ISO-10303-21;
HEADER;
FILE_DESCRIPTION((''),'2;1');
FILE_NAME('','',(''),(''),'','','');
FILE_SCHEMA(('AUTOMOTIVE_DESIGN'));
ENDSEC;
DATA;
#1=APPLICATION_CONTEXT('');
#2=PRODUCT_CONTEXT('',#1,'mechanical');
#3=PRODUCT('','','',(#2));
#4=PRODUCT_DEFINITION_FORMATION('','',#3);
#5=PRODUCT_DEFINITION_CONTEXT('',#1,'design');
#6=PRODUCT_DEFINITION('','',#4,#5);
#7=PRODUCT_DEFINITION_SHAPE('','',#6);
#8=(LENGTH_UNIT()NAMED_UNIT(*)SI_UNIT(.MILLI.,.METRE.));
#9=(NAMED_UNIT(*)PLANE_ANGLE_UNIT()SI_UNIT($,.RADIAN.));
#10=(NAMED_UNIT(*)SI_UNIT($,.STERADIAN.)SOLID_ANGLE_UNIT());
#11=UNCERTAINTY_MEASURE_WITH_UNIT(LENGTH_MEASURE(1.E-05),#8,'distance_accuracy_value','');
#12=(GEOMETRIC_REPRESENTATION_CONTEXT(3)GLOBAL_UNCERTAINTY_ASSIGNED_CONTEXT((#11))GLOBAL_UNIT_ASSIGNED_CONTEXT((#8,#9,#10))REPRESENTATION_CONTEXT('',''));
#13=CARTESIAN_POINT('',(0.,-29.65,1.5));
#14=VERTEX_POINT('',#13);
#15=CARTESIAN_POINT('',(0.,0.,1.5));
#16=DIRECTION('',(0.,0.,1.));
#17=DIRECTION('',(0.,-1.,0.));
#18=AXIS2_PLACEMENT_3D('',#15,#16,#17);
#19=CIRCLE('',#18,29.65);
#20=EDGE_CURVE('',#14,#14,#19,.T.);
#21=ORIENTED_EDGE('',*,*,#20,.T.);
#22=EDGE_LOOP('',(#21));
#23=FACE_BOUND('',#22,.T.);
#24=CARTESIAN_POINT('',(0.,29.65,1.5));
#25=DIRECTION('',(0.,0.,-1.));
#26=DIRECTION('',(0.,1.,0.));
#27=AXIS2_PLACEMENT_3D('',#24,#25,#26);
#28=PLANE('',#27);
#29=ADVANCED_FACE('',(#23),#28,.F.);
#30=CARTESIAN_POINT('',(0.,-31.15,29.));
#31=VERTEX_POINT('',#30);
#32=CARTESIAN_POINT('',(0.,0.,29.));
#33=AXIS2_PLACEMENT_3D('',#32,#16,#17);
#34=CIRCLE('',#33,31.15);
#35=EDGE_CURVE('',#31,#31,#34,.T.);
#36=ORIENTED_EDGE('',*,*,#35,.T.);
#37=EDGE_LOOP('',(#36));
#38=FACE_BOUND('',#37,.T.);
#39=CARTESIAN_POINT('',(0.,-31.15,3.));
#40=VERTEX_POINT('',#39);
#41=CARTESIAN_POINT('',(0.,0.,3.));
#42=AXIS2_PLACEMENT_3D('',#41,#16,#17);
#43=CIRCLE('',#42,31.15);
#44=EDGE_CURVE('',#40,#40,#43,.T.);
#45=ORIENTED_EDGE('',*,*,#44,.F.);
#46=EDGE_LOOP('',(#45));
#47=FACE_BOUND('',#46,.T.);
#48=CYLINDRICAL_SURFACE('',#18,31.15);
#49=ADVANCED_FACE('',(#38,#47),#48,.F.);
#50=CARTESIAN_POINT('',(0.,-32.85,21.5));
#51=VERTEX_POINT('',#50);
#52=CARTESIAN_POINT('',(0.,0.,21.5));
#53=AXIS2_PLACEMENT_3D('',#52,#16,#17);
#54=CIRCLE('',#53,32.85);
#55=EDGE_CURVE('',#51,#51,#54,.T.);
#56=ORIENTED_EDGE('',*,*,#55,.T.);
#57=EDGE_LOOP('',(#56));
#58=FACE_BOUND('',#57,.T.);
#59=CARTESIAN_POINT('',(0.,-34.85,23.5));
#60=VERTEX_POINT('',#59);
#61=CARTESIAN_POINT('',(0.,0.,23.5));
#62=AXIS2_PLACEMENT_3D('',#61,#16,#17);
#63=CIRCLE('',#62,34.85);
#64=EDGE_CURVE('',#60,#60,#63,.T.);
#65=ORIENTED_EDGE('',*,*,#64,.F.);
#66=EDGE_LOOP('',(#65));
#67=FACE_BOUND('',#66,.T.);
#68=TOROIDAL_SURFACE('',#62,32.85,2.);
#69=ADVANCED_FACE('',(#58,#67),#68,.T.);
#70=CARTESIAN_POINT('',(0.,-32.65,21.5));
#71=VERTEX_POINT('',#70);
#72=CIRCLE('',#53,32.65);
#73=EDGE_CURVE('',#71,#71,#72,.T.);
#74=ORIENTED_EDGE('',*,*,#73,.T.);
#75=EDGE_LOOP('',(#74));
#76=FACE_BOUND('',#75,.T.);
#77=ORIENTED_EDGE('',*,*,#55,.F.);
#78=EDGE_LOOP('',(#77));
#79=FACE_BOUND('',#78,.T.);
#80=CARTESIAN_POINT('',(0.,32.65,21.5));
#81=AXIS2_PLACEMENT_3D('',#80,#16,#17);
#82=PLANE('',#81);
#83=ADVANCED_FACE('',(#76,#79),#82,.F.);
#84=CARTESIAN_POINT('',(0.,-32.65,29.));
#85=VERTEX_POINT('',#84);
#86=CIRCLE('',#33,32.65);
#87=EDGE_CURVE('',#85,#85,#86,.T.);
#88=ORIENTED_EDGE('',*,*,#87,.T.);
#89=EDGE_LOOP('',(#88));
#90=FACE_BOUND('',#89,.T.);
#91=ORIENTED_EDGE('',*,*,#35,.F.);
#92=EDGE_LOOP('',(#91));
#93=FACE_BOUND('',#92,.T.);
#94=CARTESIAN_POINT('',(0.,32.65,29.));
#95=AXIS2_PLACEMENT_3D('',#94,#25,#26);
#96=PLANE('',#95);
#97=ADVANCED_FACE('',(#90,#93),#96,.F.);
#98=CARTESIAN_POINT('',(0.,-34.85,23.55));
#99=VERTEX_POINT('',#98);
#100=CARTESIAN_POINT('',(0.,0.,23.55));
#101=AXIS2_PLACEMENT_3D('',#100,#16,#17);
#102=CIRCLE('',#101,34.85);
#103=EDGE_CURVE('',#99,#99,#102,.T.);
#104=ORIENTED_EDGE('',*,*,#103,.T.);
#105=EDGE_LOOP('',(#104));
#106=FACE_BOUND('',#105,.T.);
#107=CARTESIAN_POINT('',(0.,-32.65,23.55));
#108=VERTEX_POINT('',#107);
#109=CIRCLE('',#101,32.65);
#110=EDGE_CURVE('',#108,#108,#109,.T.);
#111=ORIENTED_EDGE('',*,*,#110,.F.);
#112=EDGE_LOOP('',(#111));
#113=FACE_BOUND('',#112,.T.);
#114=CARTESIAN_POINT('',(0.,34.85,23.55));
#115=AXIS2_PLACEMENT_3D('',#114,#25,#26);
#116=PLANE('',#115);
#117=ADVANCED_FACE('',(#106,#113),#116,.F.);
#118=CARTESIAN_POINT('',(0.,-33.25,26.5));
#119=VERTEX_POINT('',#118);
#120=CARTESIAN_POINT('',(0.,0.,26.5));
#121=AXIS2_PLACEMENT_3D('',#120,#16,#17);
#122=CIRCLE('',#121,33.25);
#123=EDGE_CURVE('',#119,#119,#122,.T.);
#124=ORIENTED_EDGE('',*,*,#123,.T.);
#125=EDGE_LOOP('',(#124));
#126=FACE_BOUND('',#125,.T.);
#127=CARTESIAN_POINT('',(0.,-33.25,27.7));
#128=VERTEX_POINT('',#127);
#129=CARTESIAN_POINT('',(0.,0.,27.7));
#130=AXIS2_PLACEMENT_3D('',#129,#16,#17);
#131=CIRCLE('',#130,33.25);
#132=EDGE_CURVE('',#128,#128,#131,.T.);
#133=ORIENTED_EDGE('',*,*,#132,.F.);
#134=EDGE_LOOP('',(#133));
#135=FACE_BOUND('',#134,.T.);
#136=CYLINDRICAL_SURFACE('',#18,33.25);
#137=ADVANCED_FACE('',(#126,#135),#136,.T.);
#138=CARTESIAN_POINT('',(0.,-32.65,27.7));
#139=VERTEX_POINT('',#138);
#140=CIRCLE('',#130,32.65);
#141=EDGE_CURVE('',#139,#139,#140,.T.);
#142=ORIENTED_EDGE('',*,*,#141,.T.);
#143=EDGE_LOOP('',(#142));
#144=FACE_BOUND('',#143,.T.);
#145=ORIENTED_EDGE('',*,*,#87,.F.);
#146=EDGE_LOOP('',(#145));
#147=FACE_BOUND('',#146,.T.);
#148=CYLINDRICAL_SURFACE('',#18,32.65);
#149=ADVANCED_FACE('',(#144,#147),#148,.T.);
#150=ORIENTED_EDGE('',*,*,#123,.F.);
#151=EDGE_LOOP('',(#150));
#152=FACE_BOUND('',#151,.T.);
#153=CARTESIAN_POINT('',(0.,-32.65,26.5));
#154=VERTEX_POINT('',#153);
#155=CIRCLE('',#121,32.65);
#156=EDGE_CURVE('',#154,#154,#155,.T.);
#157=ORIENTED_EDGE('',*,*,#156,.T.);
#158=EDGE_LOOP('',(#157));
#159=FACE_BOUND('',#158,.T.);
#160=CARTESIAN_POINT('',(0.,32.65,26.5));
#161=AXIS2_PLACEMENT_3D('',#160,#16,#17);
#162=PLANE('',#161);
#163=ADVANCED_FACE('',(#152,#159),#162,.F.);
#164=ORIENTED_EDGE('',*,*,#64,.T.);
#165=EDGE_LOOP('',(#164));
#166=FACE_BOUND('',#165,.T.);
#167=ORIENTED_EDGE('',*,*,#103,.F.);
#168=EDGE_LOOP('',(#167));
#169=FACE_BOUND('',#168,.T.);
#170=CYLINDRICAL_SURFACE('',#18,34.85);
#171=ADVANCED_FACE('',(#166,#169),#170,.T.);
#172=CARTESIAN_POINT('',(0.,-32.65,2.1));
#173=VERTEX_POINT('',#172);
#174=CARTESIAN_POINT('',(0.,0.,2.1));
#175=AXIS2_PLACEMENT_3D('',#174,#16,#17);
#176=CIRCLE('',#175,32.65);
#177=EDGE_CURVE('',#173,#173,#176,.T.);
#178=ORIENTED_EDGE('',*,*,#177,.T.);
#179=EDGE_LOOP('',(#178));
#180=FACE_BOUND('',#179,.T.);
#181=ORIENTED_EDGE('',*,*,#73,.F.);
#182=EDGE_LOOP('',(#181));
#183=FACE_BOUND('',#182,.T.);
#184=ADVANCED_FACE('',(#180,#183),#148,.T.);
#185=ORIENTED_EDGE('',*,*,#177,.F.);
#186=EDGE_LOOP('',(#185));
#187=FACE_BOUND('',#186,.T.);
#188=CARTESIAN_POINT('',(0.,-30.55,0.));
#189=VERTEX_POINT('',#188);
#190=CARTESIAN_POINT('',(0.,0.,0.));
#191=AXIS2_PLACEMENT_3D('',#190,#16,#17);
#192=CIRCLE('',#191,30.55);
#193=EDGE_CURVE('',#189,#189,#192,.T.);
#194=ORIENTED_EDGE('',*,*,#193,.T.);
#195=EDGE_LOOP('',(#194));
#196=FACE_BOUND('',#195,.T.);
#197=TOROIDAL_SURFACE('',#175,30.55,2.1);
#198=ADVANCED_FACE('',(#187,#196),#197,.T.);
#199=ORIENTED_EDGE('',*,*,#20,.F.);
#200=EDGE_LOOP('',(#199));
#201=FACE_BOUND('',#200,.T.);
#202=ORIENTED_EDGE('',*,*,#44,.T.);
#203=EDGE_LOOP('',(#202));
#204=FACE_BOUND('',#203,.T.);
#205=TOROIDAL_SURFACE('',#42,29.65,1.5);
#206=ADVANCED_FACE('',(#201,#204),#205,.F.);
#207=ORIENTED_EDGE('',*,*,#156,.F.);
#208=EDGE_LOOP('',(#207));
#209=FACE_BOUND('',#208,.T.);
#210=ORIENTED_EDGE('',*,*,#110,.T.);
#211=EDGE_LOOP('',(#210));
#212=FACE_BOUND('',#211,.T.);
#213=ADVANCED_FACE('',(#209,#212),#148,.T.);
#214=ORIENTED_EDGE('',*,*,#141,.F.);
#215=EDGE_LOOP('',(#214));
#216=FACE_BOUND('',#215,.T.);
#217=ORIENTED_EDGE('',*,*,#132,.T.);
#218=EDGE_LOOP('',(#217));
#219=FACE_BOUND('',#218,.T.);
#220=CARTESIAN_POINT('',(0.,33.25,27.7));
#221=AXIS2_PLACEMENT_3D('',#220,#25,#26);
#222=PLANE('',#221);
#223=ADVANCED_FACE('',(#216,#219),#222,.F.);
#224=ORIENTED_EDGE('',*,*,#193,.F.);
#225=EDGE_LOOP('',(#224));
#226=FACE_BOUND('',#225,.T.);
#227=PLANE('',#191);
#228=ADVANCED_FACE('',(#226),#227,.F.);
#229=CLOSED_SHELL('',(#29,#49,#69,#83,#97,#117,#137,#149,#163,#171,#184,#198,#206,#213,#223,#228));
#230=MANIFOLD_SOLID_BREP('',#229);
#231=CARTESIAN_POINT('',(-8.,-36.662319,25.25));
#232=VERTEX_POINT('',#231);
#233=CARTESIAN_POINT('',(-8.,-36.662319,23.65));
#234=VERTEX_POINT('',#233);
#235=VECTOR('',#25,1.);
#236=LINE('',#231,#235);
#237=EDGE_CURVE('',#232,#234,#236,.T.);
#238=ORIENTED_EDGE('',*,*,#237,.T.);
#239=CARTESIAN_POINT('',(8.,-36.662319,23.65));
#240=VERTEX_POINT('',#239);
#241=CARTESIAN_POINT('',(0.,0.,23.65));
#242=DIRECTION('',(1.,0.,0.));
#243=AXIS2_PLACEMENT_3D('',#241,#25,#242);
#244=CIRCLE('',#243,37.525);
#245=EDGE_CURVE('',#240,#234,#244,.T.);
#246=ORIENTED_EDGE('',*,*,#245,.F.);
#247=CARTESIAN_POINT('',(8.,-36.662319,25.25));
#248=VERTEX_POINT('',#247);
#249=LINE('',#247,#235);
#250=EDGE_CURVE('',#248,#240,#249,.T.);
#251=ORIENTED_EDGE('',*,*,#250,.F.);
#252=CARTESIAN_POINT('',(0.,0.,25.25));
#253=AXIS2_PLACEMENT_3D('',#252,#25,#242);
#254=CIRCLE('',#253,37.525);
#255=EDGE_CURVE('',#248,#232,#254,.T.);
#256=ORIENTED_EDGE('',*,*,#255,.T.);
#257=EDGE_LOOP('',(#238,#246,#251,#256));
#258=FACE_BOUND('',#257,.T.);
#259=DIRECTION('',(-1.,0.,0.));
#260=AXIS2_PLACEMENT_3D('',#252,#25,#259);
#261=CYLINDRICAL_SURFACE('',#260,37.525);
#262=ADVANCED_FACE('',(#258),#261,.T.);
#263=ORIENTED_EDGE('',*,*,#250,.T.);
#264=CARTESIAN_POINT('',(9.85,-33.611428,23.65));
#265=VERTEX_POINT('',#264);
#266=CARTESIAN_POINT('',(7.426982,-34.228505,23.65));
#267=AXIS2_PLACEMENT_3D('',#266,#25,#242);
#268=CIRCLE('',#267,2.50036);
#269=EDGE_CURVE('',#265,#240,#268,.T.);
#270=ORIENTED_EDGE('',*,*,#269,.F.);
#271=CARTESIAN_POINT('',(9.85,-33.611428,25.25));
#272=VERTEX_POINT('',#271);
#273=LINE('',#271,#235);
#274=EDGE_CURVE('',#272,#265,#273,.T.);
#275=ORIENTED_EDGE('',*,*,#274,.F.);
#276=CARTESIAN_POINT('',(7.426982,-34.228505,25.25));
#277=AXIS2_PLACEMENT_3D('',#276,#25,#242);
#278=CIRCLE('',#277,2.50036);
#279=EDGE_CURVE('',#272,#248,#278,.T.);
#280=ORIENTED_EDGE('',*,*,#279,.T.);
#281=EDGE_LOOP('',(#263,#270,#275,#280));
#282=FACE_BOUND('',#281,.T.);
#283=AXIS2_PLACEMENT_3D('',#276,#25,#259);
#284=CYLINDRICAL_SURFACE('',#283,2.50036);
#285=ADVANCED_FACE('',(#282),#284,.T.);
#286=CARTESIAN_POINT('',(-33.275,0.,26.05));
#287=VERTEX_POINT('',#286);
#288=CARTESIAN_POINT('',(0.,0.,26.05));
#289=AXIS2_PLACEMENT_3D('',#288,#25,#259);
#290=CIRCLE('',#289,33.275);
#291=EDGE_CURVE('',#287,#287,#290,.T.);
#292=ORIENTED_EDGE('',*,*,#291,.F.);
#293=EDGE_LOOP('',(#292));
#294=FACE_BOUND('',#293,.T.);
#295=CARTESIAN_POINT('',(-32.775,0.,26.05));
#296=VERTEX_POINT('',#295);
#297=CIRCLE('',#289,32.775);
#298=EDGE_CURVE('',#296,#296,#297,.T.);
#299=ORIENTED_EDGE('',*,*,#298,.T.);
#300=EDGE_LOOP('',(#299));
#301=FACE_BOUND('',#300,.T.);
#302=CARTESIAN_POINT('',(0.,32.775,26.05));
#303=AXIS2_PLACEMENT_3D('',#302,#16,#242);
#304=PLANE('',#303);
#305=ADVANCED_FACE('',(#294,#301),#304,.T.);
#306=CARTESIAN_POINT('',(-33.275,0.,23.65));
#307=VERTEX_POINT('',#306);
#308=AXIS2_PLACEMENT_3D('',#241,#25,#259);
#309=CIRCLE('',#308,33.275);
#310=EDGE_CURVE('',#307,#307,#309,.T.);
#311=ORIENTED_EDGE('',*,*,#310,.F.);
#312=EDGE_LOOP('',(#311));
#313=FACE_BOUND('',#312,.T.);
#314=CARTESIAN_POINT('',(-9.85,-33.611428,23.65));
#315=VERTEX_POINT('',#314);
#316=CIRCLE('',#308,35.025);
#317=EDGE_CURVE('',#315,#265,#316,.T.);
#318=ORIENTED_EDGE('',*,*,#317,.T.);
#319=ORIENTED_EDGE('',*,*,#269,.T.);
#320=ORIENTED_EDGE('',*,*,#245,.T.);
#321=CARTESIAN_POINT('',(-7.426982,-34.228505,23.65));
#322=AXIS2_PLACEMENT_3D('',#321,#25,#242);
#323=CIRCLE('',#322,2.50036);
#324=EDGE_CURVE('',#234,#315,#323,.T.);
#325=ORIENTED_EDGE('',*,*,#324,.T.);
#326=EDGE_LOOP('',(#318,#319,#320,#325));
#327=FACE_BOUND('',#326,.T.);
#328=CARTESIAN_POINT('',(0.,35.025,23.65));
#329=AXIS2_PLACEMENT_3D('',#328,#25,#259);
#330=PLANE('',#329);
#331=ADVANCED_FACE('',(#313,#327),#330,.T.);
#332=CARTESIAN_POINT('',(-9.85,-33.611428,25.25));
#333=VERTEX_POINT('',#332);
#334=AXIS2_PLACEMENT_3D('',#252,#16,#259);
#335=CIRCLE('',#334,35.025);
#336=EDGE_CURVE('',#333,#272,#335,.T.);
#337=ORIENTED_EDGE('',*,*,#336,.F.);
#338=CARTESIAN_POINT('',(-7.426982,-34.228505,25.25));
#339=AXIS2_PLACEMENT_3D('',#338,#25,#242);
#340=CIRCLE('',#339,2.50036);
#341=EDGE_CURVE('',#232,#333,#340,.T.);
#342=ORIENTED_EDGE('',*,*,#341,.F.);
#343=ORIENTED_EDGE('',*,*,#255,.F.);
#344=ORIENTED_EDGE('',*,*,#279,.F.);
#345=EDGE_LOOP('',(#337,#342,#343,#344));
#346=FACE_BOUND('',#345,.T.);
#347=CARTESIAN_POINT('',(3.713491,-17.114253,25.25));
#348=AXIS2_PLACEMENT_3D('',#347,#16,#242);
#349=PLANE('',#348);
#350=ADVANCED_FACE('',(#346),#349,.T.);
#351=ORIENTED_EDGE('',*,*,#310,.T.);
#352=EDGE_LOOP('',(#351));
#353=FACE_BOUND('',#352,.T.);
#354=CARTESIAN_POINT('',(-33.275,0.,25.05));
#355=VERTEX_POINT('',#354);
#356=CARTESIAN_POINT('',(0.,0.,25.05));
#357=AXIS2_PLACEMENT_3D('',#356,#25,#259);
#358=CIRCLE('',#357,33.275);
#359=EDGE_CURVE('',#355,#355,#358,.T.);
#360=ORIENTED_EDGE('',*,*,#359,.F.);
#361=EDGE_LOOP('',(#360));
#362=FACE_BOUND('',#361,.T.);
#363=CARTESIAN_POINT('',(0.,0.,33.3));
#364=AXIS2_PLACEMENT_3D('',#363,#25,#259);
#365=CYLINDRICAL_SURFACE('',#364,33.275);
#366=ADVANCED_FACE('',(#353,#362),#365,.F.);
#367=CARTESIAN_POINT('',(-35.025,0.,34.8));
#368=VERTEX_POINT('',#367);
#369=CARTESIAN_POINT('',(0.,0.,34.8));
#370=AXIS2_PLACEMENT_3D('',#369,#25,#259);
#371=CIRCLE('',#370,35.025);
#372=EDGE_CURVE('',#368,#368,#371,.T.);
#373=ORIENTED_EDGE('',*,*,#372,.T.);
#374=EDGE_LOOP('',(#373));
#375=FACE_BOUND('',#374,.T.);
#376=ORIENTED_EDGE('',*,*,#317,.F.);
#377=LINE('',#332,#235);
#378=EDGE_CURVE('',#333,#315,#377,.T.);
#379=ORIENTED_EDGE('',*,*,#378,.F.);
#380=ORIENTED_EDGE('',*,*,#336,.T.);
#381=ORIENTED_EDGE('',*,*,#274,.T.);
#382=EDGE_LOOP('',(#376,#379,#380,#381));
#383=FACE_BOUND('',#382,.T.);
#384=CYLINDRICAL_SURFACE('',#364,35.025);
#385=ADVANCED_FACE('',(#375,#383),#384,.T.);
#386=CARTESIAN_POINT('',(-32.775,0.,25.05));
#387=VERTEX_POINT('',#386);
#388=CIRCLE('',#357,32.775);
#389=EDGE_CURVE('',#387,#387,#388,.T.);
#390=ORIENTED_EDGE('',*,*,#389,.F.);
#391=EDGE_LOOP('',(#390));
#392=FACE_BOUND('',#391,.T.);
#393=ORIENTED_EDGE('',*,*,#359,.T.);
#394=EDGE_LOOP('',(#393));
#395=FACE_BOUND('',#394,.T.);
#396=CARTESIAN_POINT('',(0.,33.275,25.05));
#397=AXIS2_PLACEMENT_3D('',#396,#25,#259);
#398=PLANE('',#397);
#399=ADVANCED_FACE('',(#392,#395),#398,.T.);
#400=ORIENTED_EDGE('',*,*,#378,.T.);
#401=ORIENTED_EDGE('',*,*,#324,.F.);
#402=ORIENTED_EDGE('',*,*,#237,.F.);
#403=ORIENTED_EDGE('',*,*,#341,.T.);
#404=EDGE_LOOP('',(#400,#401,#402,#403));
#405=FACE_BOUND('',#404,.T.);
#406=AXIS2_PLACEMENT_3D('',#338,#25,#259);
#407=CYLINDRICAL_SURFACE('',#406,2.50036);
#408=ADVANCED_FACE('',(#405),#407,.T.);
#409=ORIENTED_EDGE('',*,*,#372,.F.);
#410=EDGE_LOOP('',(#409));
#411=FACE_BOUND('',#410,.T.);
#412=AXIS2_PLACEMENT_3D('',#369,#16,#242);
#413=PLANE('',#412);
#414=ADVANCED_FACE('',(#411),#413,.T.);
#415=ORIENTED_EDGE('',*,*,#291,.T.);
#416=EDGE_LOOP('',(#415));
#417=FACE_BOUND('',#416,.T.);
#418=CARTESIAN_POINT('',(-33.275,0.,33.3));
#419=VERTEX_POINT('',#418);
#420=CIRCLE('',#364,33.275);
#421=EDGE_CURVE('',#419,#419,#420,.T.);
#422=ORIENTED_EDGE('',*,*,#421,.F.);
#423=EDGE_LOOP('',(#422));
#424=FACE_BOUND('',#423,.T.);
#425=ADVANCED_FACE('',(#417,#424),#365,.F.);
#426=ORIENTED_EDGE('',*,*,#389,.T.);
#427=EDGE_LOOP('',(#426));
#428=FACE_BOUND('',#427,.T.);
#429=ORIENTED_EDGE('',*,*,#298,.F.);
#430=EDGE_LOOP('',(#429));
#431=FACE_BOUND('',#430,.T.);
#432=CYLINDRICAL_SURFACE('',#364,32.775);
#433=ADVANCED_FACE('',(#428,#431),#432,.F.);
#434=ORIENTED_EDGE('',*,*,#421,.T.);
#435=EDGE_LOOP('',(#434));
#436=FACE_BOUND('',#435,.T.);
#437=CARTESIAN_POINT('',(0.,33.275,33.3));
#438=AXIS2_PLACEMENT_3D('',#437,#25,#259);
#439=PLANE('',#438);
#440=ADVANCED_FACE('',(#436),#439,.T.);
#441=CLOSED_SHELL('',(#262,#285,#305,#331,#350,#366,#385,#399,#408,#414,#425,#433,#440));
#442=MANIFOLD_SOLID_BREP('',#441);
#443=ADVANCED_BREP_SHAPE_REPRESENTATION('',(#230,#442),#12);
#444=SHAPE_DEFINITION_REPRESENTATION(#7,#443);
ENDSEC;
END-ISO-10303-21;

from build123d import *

# Parameters (mm, degrees)
BOSS_EXTRUDE3_DEPTH = 1.6


with BuildPart() as part:
    # Sketch4 → Revolve1 (revolve)
    with BuildSketch(Plane.YZ):
        with BuildLine():
            Line((0, 0), (30.55, 0))
            ThreePointArc((30.55, 0), (32.03492424, 0.61507576), (32.65, 2.1))
            Line((32.65, 2.1), (32.65, 21.5))
            Line((32.65, 21.5), (32.85, 21.5))
            ThreePointArc((32.85, 21.5), (34.264213562, 22.085786438), (34.85, 23.5))
            Line((34.85, 23.5), (34.85, 23.55))
            Line((34.85, 23.55), (32.65, 23.55))
            Line((32.65, 23.55), (32.65, 26.5))
            Line((32.65, 26.5), (33.25, 26.5))
            Line((33.25, 26.5), (33.25, 27.7))
            Line((33.25, 27.7), (32.65, 27.7))
            Line((32.65, 27.7), (32.65, 29))
            Line((32.65, 29), (31.15, 29))
            Line((31.15, 29), (31.15, 3))
            ThreePointArc((31.15, 3), (30.710660172, 1.939339828), (29.65, 1.5))
            Line((29.65, 1.5), (0, 1.5))
            Line((0, 1.5), (0, 0))
        make_face()
    revolve(axis=Axis((0, 0, 1.5), (0, 0, -1)))


with BuildPart() as body_2:
    # Sketch6 → Revolve2 (revolve)
    with BuildSketch(Plane.YZ):
        Polygon((0, 33.3), (0, 34.8), (35.025, 34.8), (35.025, 23.65), (33.275, 23.65), (33.275, 25.05), (32.775, 25.05), (32.775, 26.05), (33.275, 26.05), (33.275, 33.3), align=None)
    revolve(axis=Axis((0, 0, 33.3), (0, 0, 1)))

    # Sketch7 → Boss-Extrude3 (add)
    with BuildSketch(Plane(origin=(0, 0, 23.65), x_dir=(1, 0, 0), z_dir=(0, 0, -1))):
        with BuildLine():
            ThreePointArc((9.85, 33.611428488), (0, 35.025), (-9.85, 33.611428488))
            ThreePointArc((-9.85, 33.611428488), (-9.56498134, 35.524945793), (-8, 36.662318871))
            ThreePointArc((-8, 36.662318871), (0, 37.525), (8, 36.662318871))
            ThreePointArc((8, 36.662318871), (9.56498134, 35.524945793), (9.85, 33.611428488))
        make_face()
    extrude(amount=-BOSS_EXTRUDE3_DEPTH)


solid = Compound([part.part, body_2.part])
